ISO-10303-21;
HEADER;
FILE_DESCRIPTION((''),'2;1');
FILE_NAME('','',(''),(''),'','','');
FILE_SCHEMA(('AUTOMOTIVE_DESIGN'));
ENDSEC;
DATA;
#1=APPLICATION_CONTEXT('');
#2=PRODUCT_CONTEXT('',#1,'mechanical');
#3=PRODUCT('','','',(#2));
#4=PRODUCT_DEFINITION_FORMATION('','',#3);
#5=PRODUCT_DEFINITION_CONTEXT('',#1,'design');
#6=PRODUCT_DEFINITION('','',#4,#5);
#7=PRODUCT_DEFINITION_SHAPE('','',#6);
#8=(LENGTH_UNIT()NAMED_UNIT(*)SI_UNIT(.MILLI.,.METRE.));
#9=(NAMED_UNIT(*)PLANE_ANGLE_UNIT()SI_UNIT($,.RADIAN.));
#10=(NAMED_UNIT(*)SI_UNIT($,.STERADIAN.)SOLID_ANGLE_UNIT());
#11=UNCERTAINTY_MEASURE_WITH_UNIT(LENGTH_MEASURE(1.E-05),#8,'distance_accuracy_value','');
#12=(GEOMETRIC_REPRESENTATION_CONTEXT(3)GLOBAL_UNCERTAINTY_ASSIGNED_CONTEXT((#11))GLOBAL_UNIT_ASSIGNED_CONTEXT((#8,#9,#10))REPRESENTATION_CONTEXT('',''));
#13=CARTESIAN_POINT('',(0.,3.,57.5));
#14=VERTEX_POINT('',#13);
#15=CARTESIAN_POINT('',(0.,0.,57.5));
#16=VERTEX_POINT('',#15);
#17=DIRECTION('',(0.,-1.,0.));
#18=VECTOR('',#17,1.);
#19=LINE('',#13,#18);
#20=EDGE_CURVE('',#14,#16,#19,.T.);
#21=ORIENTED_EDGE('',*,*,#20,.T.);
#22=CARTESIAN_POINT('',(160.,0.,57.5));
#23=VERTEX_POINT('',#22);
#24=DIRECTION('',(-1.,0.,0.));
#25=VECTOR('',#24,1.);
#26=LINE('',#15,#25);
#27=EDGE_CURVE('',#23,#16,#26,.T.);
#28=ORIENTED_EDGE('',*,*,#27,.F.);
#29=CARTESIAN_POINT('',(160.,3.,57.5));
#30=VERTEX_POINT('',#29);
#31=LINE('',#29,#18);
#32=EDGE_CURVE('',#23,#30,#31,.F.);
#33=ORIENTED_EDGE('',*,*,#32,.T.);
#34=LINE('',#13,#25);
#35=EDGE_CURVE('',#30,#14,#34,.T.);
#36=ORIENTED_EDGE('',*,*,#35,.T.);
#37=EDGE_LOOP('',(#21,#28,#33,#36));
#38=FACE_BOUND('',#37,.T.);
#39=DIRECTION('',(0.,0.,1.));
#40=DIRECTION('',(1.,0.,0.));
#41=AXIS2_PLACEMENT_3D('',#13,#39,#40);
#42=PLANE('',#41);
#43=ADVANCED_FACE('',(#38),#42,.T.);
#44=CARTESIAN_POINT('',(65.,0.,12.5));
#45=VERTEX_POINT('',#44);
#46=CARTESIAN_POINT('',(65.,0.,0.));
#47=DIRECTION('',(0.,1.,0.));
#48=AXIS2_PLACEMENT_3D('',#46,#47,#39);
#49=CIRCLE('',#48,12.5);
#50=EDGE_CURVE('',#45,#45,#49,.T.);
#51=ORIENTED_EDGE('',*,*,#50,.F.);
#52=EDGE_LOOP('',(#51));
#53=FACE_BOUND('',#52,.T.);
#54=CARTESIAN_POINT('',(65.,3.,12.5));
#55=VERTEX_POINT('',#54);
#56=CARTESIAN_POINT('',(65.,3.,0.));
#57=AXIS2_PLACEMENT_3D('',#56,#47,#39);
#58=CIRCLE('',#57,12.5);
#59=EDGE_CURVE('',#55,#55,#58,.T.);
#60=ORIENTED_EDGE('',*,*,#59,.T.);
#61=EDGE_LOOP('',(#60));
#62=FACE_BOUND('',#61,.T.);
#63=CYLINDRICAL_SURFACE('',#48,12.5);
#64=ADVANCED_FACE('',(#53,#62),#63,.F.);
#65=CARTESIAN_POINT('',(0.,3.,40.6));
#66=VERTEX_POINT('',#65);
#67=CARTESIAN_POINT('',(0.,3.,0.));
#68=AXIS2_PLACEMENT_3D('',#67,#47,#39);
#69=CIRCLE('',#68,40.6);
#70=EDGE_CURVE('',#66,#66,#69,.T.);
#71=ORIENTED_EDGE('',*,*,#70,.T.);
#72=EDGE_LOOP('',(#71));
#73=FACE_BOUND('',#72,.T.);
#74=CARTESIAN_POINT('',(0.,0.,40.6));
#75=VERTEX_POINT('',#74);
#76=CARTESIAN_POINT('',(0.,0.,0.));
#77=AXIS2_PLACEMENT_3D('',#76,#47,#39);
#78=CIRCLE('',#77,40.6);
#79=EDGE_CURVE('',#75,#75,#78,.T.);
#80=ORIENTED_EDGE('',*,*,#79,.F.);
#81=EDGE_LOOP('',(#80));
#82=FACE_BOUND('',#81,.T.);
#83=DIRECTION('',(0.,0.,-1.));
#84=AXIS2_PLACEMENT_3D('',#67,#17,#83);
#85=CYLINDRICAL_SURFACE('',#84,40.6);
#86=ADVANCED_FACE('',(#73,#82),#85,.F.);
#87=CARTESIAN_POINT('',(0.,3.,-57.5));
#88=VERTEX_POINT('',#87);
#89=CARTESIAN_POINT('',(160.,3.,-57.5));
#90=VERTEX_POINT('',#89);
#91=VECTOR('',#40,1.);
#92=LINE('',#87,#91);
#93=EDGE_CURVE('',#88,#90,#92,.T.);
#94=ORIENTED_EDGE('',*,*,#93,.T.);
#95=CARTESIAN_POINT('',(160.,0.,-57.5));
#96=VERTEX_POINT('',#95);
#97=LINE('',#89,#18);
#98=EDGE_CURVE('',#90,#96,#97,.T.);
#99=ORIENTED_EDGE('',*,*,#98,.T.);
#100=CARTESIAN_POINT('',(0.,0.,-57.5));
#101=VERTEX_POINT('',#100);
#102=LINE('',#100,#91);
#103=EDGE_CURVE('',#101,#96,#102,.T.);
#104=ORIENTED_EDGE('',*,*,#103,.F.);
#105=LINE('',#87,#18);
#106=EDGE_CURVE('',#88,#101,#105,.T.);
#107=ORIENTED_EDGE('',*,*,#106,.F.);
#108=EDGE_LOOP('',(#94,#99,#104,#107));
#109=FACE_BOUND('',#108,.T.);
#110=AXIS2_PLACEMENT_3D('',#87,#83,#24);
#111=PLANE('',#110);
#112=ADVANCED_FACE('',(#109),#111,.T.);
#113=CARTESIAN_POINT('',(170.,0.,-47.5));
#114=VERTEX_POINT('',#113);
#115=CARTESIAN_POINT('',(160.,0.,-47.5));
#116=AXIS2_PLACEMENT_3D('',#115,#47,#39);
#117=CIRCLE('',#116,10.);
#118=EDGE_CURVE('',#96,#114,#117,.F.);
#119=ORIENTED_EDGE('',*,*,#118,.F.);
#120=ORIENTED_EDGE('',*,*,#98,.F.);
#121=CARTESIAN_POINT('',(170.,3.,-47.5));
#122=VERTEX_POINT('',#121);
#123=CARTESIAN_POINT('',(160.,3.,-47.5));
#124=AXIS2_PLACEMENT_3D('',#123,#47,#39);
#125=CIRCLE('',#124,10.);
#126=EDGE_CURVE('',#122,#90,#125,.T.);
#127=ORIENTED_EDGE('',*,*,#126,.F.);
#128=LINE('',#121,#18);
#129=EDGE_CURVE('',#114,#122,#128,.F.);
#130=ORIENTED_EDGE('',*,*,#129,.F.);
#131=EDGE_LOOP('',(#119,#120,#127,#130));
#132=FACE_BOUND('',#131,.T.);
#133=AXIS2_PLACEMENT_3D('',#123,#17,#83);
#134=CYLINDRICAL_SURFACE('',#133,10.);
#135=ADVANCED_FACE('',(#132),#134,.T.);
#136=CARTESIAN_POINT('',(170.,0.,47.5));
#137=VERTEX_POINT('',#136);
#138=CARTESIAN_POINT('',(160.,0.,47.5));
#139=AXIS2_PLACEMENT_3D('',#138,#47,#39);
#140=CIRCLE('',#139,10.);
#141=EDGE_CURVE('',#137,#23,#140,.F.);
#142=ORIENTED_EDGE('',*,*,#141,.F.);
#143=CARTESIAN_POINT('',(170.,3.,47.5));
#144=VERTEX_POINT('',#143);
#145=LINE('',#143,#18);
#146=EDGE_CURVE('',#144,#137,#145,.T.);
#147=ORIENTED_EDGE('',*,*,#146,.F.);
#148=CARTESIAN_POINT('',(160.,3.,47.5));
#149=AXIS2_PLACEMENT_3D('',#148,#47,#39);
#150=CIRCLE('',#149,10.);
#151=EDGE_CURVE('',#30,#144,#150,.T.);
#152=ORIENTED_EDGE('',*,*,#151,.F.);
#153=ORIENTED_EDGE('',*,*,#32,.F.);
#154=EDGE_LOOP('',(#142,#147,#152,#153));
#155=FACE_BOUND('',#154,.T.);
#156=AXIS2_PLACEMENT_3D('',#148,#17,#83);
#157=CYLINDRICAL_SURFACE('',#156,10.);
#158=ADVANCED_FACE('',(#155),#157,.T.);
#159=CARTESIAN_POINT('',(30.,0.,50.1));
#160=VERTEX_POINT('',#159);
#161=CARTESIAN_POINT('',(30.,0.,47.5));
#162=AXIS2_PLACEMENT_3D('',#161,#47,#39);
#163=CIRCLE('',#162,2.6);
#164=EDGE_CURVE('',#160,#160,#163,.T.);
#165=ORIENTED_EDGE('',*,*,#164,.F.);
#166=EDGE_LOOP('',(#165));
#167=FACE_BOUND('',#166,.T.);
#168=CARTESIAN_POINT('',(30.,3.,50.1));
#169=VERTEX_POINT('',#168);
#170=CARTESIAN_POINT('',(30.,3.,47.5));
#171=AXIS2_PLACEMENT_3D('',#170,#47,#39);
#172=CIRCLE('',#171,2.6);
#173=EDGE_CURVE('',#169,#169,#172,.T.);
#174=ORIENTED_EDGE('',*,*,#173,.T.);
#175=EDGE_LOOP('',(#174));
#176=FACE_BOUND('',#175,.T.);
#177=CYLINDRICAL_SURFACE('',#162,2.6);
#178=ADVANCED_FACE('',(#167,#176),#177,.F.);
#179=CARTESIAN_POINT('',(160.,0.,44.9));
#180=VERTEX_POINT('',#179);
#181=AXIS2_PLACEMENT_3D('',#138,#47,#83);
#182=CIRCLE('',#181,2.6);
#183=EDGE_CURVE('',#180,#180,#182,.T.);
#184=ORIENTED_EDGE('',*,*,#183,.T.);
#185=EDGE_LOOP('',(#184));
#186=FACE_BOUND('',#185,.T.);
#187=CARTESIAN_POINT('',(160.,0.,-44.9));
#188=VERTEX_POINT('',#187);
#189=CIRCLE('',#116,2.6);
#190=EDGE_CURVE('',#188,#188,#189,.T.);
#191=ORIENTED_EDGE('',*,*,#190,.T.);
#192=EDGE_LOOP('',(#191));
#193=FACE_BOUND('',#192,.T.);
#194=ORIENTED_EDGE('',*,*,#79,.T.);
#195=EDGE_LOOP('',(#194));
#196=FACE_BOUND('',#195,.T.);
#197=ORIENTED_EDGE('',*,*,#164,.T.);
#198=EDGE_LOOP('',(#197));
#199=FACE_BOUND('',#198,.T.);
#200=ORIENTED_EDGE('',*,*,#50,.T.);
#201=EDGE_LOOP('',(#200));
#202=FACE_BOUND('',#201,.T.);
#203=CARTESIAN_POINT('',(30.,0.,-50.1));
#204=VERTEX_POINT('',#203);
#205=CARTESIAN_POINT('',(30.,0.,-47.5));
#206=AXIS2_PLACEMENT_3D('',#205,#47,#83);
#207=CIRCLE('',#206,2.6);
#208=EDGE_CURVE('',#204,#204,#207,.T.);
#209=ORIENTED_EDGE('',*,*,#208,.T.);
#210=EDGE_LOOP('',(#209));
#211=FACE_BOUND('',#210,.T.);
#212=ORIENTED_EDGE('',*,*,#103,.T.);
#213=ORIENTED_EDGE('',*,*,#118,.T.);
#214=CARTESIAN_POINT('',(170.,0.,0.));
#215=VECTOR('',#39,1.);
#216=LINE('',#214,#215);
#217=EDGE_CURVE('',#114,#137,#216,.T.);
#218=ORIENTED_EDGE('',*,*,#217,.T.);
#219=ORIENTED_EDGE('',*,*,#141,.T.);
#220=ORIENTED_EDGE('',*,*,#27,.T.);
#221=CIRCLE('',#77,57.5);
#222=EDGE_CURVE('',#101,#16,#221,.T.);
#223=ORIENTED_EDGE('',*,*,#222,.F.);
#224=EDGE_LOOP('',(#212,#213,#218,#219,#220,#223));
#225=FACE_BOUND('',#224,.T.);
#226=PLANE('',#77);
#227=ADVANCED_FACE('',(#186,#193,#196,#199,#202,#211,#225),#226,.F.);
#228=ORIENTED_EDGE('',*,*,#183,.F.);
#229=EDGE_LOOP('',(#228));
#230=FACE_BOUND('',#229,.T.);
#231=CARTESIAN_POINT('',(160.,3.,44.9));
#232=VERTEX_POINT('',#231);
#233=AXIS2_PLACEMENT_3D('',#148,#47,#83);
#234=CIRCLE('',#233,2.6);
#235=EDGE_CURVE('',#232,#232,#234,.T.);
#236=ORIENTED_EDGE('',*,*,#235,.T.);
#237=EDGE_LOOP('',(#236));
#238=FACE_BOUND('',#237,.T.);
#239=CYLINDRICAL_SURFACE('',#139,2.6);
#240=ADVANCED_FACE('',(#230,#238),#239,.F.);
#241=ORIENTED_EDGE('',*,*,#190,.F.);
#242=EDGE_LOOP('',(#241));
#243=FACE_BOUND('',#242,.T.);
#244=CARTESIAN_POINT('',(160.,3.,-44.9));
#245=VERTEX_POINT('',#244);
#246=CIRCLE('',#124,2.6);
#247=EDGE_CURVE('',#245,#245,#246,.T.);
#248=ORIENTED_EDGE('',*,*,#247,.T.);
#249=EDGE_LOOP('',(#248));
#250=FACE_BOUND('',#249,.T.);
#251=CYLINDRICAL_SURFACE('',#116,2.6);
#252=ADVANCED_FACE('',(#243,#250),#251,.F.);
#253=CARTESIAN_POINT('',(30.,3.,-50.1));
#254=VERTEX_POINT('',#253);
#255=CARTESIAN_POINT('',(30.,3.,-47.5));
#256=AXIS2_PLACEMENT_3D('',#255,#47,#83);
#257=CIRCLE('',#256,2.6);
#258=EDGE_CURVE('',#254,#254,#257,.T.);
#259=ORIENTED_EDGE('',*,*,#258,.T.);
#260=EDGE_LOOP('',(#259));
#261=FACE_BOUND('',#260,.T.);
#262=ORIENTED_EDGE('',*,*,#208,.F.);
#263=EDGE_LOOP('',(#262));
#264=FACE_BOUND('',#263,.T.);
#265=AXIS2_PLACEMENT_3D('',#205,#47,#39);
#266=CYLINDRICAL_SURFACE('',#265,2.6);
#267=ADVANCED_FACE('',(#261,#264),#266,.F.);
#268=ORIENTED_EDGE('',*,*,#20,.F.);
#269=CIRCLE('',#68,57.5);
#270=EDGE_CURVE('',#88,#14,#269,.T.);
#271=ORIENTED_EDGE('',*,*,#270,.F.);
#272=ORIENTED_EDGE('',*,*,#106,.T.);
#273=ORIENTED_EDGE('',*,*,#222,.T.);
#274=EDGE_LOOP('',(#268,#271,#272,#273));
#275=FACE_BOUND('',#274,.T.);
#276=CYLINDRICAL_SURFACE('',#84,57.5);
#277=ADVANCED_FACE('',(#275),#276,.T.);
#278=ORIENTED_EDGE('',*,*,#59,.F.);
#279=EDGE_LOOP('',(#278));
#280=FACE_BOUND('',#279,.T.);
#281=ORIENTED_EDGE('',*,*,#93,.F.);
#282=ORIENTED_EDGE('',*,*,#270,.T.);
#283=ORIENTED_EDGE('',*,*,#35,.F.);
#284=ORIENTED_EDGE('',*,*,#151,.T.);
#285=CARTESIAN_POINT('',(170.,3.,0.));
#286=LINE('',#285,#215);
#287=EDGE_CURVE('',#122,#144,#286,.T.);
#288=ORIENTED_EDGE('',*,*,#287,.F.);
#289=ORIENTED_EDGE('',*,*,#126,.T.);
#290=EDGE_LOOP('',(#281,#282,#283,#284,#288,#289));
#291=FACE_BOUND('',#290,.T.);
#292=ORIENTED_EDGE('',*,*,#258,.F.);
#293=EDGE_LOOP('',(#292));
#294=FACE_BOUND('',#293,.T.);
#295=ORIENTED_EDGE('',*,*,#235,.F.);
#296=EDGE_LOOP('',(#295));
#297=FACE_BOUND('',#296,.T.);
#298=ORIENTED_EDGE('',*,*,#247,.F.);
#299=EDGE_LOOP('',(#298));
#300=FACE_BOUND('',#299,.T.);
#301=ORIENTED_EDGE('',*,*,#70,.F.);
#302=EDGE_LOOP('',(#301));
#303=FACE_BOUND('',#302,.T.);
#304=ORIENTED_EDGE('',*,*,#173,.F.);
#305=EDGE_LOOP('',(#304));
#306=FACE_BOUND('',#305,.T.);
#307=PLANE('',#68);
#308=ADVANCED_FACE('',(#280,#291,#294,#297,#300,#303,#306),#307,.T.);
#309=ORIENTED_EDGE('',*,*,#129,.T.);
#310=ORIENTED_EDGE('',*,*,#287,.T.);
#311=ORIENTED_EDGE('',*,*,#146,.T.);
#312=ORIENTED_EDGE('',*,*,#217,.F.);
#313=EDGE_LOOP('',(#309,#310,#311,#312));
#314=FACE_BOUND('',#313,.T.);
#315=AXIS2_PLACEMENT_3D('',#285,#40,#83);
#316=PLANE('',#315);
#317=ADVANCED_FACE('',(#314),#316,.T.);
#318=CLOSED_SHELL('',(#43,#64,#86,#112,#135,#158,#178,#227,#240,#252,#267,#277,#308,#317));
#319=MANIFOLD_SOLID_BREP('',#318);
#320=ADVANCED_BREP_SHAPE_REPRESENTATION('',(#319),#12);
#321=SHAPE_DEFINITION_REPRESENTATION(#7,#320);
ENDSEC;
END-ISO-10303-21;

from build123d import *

# Parameters (mm, degrees)
SKETCH1_R           = 57.5
SKETCH1_R_2         = 40.6
BOSS_EXTRUDE1_DEPTH = 3
FILLET1_R           = 10
SKETCH2_R           = 2.6
SKETCH2_R_2         = 12.5
CUT_EXTRUDE1_DEPTH  = 4


with BuildPart() as part:
    # Sketch1 → Boss-Extrude1 (new body)
    with BuildSketch(Plane(origin=(0, 0, 0), x_dir=(1, 0, 0), z_dir=(0, 1, 0))):
        with BuildLine():
            Line((170, 57.5), (0, 57.5))
            ThreePointArc((0, 57.5), (40.658639918, 40.658639918), (57.5, 0))
            ThreePointArc((57.5, 0), (40.658639918, -40.658639918), (0, -57.5))
            Line((0, -57.5), (170, -57.5))
            Line((170, -57.5), (170, 57.5))
        make_face()
        Circle(SKETCH1_R)
        Circle(SKETCH1_R_2, mode=Mode.SUBTRACT)
    extrude(amount=BOSS_EXTRUDE1_DEPTH)

    # Fillet1
    fillet1_edges = [part.edges().sort_by_distance(p)[0] for p in [
        (170, 1.5, -57.5),
        (170, 1.5, 57.5),
    ]]
    fillet(fillet1_edges, radius=FILLET1_R)

    # Sketch2 → Cut-Extrude1 (cut, through all)
    with BuildSketch(Plane(origin=(0, 3, 0), x_dir=(1, 0, 0), z_dir=(0, 1, 0))):
        with Locations((160, 47.5)):
            Circle(SKETCH2_R)
        with Locations((160, -47.5)):
            Circle(SKETCH2_R)
        with Locations((30, -47.5)):
            Circle(SKETCH2_R)
        with Locations((30, 47.5)):
            Circle(SKETCH2_R)
        with Locations((65, 0)):
            Circle(SKETCH2_R_2)
    extrude(amount=-CUT_EXTRUDE1_DEPTH, mode=Mode.SUBTRACT)


solid = part.part
